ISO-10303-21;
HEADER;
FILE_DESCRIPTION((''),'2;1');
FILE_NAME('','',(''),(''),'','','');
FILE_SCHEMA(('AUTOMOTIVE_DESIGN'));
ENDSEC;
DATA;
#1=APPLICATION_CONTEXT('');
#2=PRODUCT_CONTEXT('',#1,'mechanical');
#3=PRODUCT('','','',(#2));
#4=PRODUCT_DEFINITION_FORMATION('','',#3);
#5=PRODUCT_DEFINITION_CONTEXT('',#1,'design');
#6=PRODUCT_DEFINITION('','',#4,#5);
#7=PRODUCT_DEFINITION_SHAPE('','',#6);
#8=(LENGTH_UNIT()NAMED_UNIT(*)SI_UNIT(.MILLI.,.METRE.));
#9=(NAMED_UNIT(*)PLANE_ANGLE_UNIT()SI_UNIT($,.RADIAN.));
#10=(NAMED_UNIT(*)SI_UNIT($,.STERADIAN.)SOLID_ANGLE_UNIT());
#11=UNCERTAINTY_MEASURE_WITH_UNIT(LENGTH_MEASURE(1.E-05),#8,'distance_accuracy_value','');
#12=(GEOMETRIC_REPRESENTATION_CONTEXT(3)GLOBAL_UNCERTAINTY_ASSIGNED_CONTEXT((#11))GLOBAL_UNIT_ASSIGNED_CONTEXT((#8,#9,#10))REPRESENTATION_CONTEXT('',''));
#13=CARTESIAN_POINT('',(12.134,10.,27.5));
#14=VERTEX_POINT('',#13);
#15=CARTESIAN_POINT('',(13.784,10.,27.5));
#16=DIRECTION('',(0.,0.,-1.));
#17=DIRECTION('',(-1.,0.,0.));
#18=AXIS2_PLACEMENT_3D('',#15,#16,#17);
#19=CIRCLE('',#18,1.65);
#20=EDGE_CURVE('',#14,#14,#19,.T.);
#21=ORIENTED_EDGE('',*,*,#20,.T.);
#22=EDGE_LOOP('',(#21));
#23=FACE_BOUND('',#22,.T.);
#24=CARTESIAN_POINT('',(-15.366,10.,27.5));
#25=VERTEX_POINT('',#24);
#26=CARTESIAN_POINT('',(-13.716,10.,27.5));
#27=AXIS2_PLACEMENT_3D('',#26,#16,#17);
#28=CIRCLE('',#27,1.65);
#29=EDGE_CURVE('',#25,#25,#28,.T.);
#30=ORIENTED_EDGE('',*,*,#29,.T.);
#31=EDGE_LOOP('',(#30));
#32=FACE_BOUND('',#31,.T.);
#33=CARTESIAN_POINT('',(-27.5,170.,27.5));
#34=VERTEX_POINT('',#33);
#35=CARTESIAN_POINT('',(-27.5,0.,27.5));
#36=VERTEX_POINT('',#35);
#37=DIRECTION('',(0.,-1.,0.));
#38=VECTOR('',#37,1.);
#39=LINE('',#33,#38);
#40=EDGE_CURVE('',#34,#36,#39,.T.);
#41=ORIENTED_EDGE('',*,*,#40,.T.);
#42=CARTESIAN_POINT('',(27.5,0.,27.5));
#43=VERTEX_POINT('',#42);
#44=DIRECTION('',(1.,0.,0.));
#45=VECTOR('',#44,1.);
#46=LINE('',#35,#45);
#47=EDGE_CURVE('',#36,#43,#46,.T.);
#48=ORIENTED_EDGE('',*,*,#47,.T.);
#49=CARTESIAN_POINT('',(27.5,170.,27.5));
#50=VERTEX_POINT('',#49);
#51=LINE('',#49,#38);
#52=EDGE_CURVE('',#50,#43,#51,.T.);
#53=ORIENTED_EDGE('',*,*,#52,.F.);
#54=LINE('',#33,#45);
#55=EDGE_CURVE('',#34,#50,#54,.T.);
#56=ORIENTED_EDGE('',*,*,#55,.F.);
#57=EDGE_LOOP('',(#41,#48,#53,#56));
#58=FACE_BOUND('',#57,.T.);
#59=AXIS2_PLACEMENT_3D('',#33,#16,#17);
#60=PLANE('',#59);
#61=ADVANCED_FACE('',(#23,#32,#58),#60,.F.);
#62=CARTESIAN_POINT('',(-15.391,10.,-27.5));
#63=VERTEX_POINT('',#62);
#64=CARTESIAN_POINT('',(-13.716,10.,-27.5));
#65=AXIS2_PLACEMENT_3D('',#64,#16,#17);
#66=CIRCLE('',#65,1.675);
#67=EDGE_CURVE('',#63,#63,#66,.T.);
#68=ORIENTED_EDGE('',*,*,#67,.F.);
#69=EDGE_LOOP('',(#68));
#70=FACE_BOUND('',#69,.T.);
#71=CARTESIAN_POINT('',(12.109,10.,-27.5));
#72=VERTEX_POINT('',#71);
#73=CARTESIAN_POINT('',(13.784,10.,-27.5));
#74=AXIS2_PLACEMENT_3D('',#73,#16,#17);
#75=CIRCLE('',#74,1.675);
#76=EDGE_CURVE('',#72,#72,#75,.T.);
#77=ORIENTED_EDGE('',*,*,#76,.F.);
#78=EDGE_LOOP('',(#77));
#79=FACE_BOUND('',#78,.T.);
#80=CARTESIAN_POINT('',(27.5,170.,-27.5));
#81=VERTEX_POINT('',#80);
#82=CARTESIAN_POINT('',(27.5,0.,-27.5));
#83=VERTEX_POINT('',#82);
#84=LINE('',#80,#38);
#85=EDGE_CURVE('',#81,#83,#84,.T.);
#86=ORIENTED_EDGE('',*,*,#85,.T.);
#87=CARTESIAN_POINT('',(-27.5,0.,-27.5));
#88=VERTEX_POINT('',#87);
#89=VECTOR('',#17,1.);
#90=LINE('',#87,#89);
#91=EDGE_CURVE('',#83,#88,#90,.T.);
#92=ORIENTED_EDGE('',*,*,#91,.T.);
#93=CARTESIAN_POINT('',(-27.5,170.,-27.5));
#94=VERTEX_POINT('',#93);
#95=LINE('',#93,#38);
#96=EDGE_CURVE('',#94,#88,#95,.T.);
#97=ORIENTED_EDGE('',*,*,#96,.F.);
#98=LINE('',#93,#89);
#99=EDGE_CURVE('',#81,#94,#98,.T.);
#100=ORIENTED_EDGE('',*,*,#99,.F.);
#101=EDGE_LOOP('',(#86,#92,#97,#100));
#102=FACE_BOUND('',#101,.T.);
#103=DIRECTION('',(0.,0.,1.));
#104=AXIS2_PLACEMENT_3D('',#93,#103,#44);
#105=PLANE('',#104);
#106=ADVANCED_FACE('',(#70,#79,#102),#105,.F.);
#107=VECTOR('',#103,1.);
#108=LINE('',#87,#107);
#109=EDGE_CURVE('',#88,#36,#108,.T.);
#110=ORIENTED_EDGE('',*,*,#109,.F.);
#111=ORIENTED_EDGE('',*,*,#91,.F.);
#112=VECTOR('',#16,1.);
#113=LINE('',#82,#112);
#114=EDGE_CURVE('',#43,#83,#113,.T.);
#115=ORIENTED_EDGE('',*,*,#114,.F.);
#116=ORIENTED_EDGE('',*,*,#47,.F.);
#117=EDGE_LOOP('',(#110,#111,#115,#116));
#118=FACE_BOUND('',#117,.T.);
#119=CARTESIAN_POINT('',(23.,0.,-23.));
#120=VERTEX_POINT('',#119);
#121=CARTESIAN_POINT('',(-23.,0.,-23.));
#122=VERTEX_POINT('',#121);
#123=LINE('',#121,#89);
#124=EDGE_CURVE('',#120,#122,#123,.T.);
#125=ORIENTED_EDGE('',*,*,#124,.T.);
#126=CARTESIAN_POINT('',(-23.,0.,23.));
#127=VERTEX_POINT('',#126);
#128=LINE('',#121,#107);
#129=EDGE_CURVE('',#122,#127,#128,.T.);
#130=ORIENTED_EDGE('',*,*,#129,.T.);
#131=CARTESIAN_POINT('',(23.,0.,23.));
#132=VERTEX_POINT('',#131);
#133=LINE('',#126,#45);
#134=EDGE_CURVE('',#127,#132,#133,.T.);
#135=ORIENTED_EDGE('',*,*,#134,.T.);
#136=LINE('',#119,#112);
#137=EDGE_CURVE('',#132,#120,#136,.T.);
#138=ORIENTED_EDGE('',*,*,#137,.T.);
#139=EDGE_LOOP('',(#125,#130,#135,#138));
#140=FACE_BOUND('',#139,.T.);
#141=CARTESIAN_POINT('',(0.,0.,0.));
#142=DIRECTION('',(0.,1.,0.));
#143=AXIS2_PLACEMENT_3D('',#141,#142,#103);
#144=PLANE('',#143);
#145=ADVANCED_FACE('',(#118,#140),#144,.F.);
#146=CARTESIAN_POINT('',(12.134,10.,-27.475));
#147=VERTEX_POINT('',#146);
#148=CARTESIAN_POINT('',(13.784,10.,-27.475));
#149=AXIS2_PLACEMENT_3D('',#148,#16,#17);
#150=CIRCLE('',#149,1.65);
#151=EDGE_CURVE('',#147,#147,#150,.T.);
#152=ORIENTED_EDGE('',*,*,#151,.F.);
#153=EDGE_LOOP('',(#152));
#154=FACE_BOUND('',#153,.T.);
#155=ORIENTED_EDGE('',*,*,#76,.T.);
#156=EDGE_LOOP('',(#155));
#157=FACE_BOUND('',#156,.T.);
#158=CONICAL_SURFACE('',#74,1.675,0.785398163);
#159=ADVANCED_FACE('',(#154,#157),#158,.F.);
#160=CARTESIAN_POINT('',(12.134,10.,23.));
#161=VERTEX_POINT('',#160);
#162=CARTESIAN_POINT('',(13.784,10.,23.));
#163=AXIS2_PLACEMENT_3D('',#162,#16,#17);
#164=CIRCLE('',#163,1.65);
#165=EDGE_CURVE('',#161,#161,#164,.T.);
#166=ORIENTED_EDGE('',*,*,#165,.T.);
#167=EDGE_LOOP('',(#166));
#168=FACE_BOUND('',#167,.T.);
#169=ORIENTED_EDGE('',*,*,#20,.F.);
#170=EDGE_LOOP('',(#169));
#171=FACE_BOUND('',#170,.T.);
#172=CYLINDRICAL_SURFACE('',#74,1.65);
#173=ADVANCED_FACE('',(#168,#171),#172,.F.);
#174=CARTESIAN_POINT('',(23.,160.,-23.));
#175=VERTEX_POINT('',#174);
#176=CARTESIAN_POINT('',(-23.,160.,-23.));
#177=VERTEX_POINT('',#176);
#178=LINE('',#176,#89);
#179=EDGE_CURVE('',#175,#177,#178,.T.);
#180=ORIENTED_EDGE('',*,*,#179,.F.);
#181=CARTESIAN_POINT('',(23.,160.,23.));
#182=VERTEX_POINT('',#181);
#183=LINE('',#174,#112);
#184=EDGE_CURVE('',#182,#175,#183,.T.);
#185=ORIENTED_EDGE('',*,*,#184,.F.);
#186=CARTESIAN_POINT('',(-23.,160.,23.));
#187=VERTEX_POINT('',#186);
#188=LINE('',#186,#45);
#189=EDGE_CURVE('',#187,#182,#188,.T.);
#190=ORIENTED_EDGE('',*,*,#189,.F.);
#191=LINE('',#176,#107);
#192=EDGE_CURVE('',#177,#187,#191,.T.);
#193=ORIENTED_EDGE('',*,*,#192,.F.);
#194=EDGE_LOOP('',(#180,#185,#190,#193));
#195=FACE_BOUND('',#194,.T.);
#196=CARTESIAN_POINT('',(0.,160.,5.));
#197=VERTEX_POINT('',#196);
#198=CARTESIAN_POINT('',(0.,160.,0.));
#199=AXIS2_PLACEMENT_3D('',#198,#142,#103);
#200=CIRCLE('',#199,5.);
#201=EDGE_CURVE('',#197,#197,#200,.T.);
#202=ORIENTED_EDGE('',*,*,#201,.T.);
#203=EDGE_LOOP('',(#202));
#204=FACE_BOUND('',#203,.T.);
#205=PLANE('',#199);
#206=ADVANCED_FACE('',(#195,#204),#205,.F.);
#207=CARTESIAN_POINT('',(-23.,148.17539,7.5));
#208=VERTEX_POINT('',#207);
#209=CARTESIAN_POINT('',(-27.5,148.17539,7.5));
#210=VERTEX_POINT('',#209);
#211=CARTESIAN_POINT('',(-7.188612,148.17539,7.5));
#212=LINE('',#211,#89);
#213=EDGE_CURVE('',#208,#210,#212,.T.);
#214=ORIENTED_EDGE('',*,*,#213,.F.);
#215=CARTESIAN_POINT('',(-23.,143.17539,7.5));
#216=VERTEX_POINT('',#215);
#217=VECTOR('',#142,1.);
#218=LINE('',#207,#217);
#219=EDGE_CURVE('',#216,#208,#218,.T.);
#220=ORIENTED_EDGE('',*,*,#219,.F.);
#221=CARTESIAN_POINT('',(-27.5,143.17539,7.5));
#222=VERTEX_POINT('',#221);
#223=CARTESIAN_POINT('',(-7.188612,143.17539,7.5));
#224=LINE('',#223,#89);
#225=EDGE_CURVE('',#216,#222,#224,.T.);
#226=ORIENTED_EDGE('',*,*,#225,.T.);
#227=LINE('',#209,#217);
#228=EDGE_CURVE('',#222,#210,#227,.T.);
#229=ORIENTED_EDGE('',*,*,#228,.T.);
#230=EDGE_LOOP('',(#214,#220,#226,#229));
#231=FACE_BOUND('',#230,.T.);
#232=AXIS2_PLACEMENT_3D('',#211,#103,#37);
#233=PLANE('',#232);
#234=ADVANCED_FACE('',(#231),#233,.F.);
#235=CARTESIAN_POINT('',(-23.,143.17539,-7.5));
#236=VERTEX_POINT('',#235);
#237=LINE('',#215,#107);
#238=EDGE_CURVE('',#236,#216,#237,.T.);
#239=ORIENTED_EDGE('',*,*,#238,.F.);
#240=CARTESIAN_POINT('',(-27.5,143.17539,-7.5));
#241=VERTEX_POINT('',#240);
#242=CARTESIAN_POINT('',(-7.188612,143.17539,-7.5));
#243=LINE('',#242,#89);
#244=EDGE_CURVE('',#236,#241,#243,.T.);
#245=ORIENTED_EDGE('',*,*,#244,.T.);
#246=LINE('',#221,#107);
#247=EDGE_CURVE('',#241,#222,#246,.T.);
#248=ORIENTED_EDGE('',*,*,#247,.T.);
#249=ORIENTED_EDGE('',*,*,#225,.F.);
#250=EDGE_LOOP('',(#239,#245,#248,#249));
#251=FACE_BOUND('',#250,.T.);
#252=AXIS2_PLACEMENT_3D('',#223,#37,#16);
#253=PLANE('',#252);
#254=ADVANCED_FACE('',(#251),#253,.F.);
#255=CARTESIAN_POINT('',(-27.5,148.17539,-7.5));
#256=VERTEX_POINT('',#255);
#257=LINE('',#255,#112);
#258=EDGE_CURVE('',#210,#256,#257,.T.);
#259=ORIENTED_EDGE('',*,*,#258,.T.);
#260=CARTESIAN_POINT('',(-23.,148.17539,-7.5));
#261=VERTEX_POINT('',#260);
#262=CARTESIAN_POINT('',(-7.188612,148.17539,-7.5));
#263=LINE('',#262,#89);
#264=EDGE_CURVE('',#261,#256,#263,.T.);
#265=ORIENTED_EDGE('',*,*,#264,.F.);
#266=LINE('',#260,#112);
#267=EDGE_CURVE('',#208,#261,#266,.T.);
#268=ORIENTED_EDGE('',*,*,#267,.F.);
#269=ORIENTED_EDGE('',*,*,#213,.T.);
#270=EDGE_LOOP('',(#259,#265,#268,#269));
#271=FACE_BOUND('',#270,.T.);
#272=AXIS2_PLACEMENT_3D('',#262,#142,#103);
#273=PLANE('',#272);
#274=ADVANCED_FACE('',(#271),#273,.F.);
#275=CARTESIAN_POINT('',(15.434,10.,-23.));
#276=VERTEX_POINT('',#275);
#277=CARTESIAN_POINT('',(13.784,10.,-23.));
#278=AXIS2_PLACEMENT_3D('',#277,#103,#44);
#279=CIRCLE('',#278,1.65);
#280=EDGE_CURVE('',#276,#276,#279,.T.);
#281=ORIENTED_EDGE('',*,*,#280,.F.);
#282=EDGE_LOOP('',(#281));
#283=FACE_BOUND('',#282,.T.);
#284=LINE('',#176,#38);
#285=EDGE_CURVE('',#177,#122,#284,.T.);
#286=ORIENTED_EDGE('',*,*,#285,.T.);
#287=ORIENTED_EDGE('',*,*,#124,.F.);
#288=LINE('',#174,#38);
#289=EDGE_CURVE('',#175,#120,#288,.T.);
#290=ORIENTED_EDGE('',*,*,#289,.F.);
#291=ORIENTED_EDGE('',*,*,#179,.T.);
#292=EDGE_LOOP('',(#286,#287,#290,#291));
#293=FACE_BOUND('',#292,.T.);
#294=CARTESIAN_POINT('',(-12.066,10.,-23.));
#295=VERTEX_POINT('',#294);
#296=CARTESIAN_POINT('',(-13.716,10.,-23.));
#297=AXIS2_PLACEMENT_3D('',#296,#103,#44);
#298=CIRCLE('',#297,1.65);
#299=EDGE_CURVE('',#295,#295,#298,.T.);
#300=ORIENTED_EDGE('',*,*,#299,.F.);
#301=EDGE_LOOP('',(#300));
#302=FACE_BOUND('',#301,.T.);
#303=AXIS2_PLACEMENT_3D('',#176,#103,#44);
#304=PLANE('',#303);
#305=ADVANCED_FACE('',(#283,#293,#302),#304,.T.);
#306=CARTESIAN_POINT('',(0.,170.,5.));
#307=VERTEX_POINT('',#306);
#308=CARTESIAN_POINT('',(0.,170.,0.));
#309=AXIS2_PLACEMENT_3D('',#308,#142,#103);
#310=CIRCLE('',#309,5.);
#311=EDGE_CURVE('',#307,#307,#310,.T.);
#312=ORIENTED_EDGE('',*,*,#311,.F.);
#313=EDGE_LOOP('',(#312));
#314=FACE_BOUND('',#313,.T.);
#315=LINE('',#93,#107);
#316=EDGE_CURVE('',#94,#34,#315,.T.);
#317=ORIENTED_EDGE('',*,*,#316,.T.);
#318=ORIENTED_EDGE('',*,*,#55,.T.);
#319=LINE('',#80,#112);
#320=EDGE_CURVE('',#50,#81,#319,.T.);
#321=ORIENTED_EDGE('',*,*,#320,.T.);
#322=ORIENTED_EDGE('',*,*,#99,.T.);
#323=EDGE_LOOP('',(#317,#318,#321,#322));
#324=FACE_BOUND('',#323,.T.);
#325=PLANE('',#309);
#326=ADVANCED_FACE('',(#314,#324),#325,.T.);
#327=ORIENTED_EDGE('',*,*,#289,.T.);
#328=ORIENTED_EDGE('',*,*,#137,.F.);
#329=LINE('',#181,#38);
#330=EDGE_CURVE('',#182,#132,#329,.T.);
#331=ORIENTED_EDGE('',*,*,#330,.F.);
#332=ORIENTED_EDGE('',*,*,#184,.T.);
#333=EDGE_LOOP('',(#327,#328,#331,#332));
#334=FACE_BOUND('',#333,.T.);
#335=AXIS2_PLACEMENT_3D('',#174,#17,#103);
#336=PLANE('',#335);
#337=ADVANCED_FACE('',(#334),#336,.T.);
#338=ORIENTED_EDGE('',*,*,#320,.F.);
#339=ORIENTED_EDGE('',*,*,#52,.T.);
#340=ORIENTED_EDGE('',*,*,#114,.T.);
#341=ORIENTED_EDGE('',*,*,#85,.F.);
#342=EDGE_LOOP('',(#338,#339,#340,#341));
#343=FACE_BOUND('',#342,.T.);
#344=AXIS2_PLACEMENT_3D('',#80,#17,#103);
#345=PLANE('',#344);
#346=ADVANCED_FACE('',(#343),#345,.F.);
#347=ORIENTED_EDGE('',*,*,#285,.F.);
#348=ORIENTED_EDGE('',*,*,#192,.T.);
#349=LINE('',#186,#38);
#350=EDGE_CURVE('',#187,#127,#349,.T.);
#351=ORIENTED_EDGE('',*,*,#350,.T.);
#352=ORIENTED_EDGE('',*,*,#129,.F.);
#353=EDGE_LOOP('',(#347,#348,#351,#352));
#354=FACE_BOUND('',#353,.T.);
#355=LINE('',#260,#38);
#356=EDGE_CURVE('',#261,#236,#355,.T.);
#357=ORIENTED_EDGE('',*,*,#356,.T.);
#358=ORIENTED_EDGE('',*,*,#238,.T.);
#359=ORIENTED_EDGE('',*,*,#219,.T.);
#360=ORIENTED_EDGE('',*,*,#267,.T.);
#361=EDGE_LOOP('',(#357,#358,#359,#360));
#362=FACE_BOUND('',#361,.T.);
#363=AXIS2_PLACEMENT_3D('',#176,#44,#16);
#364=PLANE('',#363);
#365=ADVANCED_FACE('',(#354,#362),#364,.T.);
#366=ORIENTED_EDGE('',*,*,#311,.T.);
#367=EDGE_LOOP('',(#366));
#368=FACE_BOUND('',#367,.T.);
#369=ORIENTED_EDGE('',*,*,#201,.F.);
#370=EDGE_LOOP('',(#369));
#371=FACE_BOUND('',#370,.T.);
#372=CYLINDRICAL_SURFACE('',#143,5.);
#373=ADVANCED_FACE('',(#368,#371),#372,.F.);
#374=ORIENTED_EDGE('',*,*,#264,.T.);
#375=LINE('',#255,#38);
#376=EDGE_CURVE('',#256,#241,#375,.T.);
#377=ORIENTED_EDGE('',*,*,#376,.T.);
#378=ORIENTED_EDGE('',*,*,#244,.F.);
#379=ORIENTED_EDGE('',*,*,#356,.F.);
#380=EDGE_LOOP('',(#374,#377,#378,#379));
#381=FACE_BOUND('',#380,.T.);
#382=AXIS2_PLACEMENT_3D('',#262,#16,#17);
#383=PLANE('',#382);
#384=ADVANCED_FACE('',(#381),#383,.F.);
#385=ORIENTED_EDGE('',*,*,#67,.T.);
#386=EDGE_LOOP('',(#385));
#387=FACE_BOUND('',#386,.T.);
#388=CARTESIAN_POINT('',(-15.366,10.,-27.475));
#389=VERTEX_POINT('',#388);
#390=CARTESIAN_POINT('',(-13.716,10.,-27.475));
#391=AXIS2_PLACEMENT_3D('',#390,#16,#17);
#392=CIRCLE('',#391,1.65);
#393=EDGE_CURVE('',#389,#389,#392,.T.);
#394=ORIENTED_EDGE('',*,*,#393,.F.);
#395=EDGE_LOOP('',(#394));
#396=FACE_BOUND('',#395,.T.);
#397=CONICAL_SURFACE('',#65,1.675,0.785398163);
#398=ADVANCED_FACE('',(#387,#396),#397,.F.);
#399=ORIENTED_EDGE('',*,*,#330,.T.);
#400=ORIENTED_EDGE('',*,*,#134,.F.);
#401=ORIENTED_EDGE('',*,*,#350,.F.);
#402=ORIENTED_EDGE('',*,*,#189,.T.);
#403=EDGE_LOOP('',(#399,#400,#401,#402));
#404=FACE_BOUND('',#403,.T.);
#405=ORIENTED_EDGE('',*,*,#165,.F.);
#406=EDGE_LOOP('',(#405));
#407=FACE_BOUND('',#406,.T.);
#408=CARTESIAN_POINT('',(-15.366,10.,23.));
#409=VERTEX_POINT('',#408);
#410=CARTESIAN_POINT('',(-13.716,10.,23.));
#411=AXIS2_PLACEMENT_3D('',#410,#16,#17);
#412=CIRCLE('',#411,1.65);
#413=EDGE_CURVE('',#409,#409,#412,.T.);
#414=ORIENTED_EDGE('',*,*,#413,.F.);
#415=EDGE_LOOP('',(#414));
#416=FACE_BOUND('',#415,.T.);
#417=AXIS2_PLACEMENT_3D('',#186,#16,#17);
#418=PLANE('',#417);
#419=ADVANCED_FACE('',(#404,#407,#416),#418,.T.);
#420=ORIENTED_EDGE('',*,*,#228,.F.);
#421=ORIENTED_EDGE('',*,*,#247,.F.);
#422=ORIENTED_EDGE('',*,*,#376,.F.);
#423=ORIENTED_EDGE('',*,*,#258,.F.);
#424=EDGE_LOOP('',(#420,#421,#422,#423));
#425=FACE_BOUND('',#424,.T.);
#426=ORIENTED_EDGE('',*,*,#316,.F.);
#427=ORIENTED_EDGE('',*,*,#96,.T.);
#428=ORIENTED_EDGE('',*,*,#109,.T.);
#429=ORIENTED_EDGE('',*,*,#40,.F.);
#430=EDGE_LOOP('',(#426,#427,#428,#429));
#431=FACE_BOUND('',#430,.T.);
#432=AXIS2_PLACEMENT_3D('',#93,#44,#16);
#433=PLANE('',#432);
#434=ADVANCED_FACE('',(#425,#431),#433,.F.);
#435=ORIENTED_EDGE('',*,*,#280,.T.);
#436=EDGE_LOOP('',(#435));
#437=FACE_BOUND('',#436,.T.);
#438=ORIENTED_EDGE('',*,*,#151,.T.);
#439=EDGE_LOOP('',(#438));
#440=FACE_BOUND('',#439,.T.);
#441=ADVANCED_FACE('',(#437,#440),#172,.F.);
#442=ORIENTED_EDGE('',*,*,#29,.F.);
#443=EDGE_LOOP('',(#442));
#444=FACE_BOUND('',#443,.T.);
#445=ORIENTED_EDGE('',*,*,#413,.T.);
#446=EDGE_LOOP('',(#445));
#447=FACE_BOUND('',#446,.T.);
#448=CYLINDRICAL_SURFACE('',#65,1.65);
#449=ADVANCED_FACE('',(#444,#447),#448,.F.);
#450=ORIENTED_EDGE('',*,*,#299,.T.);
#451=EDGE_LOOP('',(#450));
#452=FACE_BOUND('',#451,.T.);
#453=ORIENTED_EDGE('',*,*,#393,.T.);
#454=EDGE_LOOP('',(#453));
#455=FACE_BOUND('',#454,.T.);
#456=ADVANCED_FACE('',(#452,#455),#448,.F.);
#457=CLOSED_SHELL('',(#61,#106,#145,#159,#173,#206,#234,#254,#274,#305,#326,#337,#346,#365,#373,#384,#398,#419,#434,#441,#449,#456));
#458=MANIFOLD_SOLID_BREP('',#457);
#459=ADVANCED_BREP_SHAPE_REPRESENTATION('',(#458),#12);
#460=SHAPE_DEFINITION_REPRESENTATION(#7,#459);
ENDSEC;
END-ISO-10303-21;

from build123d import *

# Parameters (mm, degrees)
SKETCH1_W                         = 55
SKETCH1_H                         = 55
BOSS_EXTRUDE1_DEPTH               = 170
SKETCH2_W                         = 46
SKETCH2_H                         = 46
CUT_EXTRUDE4_DEPTH                = 160
SKETCH5_W                         = 14.999999972
SKETCH5_H                         = 5
CUT_EXTRUDE5_DEPTH                = 4.5
TAP_DRILL_FOR_M4_TAP1_D           = 3.3
TAP_DRILL_FOR_M4_TAP1_CSINK_D     = 3.35
TAP_DRILL_FOR_M4_TAP1_CSINK_ANGLE = 90
SKETCH8_R                         = 5
CUT_EXTRUDE6_DEPTH                = 175.391800266


with BuildPart() as part:
    # Sketch1 → Boss-Extrude1 (new body)
    with BuildSketch(Plane(origin=(0, 0, 0), x_dir=(1, 0, 0), z_dir=(0, 1, 0))):
        Rectangle(SKETCH1_W, SKETCH1_H)
    extrude(amount=BOSS_EXTRUDE1_DEPTH)

    # Sketch2 → Cut-Extrude4 (cut)
    with BuildSketch(Plane(origin=(0, 0, 0), x_dir=(1, 0, 0), z_dir=(0, 1, 0))):
        Rectangle(SKETCH2_W, SKETCH2_H)
    extrude(amount=CUT_EXTRUDE4_DEPTH, mode=Mode.SUBTRACT)

    # Sketch5 → Cut-Extrude5 (cut)
    with BuildSketch(Plane.ZY.offset(27.5)):
        with Locations((1.4e-08, 145.67539027)):
            Rectangle(SKETCH5_W, SKETCH5_H)
    extrude(amount=-CUT_EXTRUDE5_DEPTH, mode=Mode.SUBTRACT)

    # Tap Drill for M4 Tap1 (through all)
    with Locations(Plane(origin=(13.784, 10.000000066, -27.5), x_dir=(-1, 0, 0), z_dir=(0, 0, -1))):
        with Locations((0, 0), (27.5, 0)):
            CounterSinkHole(TAP_DRILL_FOR_M4_TAP1_D / 2, TAP_DRILL_FOR_M4_TAP1_CSINK_D / 2, counter_sink_angle=TAP_DRILL_FOR_M4_TAP1_CSINK_ANGLE)

    # Sketch8 → Cut-Extrude6 (cut, through all)
    with BuildSketch(Plane(origin=(0, 170, 0), x_dir=(1, 0, 0), z_dir=(0, 1, 0))):
        with Locations(Location((0, 0, 0), (0, 0, 270))):
            Circle(SKETCH8_R)
    extrude(amount=-CUT_EXTRUDE6_DEPTH, mode=Mode.SUBTRACT)


solid = part.part
